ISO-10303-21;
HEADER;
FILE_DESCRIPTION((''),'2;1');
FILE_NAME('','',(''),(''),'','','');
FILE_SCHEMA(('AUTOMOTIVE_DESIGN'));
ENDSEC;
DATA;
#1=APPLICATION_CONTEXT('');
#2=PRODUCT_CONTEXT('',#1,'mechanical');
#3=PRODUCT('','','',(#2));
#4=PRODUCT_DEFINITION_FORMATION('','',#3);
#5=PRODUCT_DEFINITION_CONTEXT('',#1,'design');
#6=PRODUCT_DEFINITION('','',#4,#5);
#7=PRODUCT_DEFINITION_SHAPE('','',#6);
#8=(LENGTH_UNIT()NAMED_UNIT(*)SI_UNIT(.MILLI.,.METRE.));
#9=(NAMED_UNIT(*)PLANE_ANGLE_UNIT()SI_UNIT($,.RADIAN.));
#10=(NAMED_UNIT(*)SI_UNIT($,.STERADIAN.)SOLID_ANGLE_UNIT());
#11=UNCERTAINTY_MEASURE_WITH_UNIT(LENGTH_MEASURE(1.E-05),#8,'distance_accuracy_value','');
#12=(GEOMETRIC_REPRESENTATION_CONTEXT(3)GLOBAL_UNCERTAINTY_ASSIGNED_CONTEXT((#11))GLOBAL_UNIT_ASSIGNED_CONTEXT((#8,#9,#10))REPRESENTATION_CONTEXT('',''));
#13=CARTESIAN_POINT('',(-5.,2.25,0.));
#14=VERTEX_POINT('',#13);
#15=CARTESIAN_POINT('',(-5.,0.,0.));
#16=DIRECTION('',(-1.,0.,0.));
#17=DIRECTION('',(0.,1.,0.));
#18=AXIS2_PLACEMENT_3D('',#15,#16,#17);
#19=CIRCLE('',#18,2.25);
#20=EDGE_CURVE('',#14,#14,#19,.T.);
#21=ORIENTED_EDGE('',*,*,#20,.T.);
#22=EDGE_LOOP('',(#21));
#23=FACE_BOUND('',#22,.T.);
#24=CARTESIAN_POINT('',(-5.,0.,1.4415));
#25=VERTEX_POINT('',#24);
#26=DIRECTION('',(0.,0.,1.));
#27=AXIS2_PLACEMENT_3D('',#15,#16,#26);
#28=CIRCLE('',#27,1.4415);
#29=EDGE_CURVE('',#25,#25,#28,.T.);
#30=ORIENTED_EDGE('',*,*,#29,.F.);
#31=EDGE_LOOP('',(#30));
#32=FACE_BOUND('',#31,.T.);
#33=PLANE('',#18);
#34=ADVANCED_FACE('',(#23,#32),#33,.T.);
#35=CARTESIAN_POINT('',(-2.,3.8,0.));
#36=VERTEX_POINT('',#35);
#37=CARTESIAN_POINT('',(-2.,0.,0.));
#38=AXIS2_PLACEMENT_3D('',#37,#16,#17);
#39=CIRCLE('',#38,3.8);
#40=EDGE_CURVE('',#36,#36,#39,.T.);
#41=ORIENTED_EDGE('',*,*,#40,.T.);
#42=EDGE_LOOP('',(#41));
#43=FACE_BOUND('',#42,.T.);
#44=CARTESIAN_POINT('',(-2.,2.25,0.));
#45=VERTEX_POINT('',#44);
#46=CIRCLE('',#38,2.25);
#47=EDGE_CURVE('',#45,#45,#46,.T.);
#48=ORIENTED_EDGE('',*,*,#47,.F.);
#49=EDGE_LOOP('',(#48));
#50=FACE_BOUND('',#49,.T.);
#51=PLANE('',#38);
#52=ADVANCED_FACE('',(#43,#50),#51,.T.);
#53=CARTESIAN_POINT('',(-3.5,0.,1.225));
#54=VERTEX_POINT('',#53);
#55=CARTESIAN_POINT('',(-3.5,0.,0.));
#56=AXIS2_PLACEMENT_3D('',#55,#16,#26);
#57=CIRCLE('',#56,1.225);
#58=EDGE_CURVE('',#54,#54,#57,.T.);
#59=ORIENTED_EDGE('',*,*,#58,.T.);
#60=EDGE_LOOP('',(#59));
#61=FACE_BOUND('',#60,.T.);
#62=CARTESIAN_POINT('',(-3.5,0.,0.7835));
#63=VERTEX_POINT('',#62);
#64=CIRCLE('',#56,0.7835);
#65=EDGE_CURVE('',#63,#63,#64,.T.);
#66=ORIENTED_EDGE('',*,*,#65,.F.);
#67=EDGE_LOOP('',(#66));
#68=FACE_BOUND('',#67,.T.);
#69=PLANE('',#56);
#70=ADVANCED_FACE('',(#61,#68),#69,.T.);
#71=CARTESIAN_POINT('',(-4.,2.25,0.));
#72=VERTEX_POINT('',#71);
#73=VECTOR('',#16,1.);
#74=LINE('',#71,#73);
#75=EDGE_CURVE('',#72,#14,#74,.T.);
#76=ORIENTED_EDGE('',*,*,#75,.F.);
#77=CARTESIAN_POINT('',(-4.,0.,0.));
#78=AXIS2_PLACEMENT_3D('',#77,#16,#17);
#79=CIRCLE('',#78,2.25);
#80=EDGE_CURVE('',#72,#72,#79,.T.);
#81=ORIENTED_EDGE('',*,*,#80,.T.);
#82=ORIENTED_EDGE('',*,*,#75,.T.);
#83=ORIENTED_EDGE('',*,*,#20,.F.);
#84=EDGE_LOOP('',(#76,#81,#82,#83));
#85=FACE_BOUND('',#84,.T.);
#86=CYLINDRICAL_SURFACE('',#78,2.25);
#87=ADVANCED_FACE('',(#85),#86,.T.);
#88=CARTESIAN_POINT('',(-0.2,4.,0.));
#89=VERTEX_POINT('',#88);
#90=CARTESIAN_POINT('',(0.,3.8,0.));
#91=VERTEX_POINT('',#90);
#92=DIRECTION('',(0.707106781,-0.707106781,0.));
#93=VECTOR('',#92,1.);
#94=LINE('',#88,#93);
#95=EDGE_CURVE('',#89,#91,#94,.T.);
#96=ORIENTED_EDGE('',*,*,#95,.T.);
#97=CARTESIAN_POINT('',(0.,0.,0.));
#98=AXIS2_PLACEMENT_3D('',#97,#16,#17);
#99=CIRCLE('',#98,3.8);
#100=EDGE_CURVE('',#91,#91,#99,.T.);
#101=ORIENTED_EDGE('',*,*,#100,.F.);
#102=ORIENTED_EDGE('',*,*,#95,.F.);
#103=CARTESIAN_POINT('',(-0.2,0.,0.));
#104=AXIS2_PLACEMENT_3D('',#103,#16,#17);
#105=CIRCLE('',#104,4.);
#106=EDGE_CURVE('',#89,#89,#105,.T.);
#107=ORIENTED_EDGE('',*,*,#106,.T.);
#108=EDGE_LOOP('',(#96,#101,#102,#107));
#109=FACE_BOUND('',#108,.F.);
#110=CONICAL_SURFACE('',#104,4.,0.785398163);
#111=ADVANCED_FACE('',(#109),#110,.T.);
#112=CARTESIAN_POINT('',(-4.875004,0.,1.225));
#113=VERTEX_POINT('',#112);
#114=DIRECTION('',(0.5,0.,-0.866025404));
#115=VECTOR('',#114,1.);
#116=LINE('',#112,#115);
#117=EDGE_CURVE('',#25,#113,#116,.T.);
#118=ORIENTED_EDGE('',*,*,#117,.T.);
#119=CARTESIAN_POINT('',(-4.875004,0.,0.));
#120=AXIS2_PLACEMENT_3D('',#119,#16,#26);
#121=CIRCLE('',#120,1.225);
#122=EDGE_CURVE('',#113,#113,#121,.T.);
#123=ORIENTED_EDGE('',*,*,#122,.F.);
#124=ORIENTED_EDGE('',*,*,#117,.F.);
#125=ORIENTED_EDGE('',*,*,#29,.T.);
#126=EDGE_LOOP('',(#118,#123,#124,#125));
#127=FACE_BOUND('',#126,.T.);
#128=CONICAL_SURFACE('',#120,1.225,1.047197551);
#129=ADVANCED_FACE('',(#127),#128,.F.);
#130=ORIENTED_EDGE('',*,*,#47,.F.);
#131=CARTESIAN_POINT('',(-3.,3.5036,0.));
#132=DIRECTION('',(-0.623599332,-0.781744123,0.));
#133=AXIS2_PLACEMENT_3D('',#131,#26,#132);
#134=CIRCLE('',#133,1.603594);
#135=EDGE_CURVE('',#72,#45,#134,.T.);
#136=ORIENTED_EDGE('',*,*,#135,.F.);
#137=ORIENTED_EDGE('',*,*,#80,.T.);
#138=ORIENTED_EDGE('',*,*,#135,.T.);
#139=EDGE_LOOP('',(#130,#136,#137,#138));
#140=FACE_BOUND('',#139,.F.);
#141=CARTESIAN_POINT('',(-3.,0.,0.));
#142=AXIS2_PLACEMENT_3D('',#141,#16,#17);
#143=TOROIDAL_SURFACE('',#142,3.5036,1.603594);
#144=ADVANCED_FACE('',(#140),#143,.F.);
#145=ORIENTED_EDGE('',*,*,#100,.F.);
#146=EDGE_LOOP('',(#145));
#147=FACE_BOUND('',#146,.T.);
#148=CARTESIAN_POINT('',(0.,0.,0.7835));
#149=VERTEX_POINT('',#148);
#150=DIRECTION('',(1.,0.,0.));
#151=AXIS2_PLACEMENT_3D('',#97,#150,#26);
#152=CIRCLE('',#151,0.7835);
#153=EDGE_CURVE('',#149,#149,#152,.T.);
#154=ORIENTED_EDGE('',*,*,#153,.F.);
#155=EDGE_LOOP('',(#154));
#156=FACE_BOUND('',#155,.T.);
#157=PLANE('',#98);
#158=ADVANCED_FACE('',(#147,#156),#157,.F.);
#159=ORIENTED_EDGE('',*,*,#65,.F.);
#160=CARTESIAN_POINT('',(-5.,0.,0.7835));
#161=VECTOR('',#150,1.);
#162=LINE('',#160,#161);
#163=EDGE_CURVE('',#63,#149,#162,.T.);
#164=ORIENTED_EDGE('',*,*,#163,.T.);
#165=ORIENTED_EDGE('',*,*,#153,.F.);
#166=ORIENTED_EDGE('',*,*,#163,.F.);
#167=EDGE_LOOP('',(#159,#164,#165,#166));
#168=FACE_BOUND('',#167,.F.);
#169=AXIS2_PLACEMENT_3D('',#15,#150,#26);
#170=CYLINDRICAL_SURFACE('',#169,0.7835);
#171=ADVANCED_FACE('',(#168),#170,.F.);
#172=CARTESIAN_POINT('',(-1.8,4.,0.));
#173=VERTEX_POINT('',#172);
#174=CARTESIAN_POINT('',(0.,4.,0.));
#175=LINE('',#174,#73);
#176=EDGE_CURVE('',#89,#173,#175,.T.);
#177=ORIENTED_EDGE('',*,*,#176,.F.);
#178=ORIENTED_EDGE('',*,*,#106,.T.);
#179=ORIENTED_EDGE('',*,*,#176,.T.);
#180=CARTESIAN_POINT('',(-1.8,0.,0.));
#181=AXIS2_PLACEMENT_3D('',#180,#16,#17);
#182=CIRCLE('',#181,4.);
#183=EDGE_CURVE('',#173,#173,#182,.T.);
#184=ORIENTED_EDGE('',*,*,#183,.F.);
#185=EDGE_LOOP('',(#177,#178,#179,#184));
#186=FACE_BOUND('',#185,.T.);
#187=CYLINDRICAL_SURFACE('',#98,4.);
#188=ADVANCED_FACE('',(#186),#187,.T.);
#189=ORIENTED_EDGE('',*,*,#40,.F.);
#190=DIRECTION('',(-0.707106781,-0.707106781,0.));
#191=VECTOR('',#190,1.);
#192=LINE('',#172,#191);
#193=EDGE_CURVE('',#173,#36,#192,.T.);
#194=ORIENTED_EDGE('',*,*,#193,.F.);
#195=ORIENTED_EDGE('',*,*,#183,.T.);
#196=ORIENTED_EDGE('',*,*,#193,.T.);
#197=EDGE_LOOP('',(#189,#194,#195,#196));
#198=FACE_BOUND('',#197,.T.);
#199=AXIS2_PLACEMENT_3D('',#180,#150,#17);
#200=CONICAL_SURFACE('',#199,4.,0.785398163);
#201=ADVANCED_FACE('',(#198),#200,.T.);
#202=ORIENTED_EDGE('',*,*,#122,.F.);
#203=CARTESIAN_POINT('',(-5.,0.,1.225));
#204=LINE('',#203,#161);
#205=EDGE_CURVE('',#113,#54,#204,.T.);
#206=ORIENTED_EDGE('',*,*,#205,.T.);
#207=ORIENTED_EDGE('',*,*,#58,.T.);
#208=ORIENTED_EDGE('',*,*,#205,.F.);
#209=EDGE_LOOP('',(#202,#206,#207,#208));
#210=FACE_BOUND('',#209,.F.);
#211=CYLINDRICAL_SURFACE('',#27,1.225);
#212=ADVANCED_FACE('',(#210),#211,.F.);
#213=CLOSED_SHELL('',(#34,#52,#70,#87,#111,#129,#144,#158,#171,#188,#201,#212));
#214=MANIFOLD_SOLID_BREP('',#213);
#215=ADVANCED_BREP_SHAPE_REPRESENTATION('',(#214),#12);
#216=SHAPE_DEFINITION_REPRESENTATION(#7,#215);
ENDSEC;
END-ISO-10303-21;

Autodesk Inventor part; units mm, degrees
ref_plane "YZ Plane" through (0, 0, 0) normal (1, 0, 0) x (0, 1, 0)
ref_plane "XZ Plane" through (0, 0, 0) normal (0, 1, 0) x (-1, 0, 0)
sketch "Sketch1" plane through (0, 0, 0) normal (0, 0, 1) x (1, 0, 0)
  line L0 (0, 0) -> (-5, 0)
  line L1 (0, 0) -> (0, 4)
  line L2 (0, 4) -> (-2, 4)
  line L3 (-2, 4) -> (-2, 2.25)
  line L4 (-4, 2.25) -> (-5, 2.25)
  line L5 (-5, 2.25) -> (-5, 0)
  arc A0 (-4, 2.25) -> (-2, 2.25) centre (-3, 3.5036) ccw
  dimension "d0" = 2
  dimension "d1" = 5
  dimension "d2" = 8
  dimension "d3" = 4.5
  dimension "d13" = 3.8
  dimension "d15" = 1
revolve "Body" add sketch "Sketch1" angle 360 about axis through (0, 0, 0) along (-1, 0, 0)
sketch "Sketch2" plane through (-5, 0, 0) normal (-1, 0, 0) x (0, 0, 1)
  circle A0 centre (0, 0) radius 4 projected
  line L0 (0, 0) -> (0, 4) construction
  line L1 (-0.25, 3.9922) -> (0, 3.7422)
  line L2 (0.25, 3.9922) -> (0, 3.7422)
  arc A1 (0.25, 3.9922) -> (-0.25, 3.9922) centre (0, 0) ccw
  circle A2 centre (0, 0) radius 2.25 projected
  dimension "d4" = 90
  dimension "d5" = 0.25
chamfer "Chamfer1" distance 0.2 angle 45 1 edges at (0, -4, 0) measured on face at (0, 0.998, -0.8842)
chamfer "Chamfer2" distance 0.2 angle 45 1 edges at (-2, -4, 0) measured on face at (-2, 3.3779, 0.3191)
extrude "Notch1" [suppressed]
pattern_circular "Notches1" [suppressed]
hole "Thread" at (-5, 0, 0) direction (1, 0, 0) diameter 1.567 end through all thread size "M2x0.4" designation "M2" class "6H" standard "GB Metric profile"
sketch "Sketch4" plane through (-5, 0, 0) normal (-1, 0, 0) x (0, 0, 1)
  circle A0 centre (0, 0) radius 0.7835 projected
  circle A1 centre (0, 0) radius 2.25 projected
  circle A2 centre (0, 0) radius 1.225
  dimension "d42" = 2.45
extrude "Hole1" cut sketch "Sketch4" against normal blind 1.5 contours A2
chamfer "Chamfer3" distance 0.2165 angle 30 1 edges at (-5, 0, -1.225) measured on face at (-5, 1.8836, 0.2287)
ref_plane "Work Plane1" through (6.2586, 0, 0) normal (0, 0, -1) x (-1, 0, 0)
equation "\"d5\" = 0.5 * T"
equation "\"d23\" = PHH"
equation "\"d24\" = FAWI"
equation "\"d38\" = PHH"
equation "\"d25\" = PHH"
equation "\"d26\" = FAWI"
equation "\"d39\" = PHH"
equation "\"d42\" = Da"
equation "\"d43\" = Ta"
equation "\"d10\" = -0.5 * GD1 + 0.5 * NND"
equation "\"d40\" = -0.5 * GD1 + 0.5 * NND"
equation "\"d0\" = KOH1"
equation "\"d1\" = KOH"
equation "\"d2\" = KOD"
equation "\"d3\" = BDM"
equation "\"d13\" = BDMM"
equation "\"d15\" = SLG"
equation "\"FAWI\" = 45deg"
equation "\"T\" = 0.5"
equation "\"NND\" = 2"
equation "\"KOD\" = 8"
equation "\"KOH\" = 5"
equation "\"KOH1\" = 2"
equation "\"BDM\" = 4.5"
equation "\"PHH\" = 0.2"
equation "\"SLG\" = 1"
equation "\"BDMM\" = 3.8"
equation "\"Da\" = 2.45"
equation "\"Ta\" = 1.5"
equation "\"GUL\" = 0.541266 * PTC"
equation "\"RR\" = 1.25"
equation "\"LOTI\" = 1.5"
equation "\"THREADDIA\" = 2"
equation "\"PTC\" = 0.4"
equation "\"GAL\" = 0.541266 * PTC"
equation "\"TOA\" = 30deg"
equation "\"GD1\" = 1.566987"
properties part number "Nut GB 806 M2" material "Steel, Mild"
